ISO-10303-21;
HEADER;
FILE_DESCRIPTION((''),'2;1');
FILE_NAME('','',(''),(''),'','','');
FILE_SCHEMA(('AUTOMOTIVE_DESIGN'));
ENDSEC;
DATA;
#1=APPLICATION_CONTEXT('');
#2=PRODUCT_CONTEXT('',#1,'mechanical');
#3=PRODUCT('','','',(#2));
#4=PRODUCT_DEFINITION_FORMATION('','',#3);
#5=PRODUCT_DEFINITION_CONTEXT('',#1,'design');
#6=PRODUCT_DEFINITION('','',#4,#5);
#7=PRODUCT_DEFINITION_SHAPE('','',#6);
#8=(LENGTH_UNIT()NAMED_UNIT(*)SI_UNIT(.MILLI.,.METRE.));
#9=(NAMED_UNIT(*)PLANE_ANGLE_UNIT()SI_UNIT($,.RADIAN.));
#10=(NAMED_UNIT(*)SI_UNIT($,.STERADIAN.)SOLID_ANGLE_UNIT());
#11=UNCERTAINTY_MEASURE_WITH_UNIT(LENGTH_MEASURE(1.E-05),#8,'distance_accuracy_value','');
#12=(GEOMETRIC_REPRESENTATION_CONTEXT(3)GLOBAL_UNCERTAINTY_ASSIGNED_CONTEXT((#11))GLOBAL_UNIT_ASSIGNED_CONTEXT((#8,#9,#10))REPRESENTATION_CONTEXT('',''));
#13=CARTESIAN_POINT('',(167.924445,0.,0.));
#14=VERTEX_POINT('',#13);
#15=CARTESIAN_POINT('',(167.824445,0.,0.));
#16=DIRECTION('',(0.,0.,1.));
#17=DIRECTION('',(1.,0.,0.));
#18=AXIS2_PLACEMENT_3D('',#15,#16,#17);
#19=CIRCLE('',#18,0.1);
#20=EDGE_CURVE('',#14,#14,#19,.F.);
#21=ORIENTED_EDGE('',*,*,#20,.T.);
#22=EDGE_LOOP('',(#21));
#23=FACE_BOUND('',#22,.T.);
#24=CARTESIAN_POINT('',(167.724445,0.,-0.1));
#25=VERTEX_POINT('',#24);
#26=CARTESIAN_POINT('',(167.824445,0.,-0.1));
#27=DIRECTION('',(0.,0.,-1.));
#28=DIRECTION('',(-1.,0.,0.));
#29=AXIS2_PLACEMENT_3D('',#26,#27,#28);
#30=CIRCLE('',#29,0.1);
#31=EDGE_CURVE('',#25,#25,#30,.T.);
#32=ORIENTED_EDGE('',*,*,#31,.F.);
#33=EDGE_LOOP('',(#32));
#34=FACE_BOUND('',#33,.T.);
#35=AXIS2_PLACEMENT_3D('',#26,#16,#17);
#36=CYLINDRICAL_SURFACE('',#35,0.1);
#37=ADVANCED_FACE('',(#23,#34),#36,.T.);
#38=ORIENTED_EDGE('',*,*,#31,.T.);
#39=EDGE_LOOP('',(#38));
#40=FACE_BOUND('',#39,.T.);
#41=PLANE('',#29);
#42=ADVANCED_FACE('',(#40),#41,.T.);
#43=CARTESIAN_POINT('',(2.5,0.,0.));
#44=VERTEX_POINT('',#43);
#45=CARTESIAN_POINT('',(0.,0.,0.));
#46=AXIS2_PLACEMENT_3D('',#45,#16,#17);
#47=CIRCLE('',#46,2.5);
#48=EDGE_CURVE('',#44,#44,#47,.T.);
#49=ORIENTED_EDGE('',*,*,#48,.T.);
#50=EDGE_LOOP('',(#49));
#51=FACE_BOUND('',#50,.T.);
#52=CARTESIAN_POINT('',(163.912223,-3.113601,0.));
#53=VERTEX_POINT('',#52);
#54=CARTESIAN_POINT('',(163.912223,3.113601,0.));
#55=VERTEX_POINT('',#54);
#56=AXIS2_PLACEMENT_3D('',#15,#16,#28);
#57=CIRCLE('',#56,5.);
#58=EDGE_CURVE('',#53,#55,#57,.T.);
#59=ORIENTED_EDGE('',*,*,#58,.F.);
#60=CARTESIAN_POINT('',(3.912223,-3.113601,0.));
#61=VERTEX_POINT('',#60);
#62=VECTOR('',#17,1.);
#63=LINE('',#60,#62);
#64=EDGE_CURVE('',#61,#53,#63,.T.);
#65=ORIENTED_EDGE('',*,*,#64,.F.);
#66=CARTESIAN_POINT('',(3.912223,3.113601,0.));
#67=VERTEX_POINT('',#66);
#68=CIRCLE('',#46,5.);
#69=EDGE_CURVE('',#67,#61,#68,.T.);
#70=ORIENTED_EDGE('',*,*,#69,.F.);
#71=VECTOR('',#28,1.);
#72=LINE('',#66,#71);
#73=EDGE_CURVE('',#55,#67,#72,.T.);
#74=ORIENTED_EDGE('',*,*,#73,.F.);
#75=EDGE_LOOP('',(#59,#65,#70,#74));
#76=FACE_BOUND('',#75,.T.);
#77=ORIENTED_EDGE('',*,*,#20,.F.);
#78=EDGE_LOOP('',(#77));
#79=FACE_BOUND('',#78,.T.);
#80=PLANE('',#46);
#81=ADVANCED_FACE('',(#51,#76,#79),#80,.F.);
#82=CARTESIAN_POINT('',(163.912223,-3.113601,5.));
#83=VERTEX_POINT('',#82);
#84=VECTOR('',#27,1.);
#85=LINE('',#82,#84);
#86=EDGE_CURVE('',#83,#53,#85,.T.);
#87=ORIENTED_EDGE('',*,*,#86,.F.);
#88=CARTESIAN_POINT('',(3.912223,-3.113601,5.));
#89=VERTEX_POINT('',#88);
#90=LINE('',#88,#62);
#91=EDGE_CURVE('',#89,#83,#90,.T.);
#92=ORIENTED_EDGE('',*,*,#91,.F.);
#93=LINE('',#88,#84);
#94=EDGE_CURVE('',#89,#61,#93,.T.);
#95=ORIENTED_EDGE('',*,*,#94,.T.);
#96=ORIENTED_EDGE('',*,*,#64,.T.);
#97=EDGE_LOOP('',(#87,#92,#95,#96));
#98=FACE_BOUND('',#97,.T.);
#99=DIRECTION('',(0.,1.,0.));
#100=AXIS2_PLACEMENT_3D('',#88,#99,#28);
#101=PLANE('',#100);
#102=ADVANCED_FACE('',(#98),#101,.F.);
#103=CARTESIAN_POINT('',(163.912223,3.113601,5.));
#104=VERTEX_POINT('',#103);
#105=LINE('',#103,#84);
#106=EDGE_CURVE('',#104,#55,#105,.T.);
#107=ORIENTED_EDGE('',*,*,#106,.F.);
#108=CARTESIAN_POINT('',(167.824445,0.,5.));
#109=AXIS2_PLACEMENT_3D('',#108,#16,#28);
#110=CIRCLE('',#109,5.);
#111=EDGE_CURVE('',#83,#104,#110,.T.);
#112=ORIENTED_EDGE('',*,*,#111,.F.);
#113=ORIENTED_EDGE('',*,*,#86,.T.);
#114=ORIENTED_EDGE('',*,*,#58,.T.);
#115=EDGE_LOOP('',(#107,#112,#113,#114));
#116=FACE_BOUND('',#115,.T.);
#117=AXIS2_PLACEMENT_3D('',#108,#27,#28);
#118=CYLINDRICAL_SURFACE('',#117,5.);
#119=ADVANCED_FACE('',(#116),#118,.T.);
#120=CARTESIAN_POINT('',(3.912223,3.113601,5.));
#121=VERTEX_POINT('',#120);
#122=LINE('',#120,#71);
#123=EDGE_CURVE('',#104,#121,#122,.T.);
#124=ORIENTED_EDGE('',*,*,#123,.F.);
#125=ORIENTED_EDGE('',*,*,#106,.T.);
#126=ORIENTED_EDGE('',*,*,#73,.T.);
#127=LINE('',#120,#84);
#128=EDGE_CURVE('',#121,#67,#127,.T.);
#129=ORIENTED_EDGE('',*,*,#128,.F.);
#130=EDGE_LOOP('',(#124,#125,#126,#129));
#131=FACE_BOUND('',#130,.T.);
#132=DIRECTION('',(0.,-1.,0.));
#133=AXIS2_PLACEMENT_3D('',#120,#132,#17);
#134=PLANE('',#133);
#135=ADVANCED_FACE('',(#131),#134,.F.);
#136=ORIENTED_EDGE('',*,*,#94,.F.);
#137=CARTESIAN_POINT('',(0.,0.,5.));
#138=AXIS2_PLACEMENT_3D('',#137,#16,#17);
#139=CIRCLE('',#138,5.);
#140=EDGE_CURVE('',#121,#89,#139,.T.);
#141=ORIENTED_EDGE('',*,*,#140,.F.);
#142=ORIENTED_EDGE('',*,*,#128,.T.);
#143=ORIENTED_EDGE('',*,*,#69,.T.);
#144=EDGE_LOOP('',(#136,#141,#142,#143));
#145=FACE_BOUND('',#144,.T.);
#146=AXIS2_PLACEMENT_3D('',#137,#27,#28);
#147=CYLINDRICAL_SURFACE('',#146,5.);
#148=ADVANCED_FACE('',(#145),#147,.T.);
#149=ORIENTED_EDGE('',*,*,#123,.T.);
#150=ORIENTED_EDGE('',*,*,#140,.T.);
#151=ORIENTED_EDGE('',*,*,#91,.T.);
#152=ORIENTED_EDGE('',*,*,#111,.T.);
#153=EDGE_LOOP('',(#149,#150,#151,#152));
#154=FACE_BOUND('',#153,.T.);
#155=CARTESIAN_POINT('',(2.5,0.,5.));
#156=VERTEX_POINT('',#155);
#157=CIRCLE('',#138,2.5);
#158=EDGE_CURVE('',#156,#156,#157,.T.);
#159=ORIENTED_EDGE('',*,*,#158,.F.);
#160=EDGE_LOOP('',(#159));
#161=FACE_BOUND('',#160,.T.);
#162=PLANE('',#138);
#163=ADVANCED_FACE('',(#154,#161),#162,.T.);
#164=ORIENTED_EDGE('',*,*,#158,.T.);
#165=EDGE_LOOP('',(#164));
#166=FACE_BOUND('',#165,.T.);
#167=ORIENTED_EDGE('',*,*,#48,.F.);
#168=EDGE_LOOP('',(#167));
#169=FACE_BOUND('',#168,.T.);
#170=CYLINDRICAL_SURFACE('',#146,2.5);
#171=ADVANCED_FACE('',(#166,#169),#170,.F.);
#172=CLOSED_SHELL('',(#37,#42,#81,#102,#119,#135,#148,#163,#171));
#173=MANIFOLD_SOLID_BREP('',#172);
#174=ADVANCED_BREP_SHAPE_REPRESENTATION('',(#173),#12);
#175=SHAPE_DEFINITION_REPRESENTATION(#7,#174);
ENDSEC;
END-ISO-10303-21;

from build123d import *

# Parameters (mm, degrees)
SKETCH1_R           = 2.5
BOSS_EXTRUDE1_DEPTH = 5
SKETCH3_R           = 0.1
BOSS_EXTRUDE2_DEPTH = 0.1


with BuildPart() as part:
    # Sketch1 → Boss-Extrude1 (new body)
    with BuildSketch(Plane.XY):
        with BuildLine():
            Line((3.912222702, 3.113601376), (163.912222702, 3.113601376))
            ThreePointArc((163.912222702, 3.113601376), (172.824445404, 0), (163.912222702, -3.113601376))
            Line((163.912222702, -3.113601376), (3.912222702, -3.113601376))
            ThreePointArc((3.912222702, -3.113601376), (-5, 0), (3.912222702, 3.113601376))
        make_face()
        Circle(SKETCH1_R, mode=Mode.SUBTRACT)
    extrude(amount=BOSS_EXTRUDE1_DEPTH)

    # Sketch3 → Boss-Extrude2 (add)
    with BuildSketch(Plane(origin=(0, 0, 0), x_dir=(-1, 0, 0), z_dir=(0, 0, -1))):
        with Locations(Location((-167.824445404, 0, 0), (0, 0, 180))):
            Circle(SKETCH3_R)
    extrude(amount=BOSS_EXTRUDE2_DEPTH)


solid = part.part
